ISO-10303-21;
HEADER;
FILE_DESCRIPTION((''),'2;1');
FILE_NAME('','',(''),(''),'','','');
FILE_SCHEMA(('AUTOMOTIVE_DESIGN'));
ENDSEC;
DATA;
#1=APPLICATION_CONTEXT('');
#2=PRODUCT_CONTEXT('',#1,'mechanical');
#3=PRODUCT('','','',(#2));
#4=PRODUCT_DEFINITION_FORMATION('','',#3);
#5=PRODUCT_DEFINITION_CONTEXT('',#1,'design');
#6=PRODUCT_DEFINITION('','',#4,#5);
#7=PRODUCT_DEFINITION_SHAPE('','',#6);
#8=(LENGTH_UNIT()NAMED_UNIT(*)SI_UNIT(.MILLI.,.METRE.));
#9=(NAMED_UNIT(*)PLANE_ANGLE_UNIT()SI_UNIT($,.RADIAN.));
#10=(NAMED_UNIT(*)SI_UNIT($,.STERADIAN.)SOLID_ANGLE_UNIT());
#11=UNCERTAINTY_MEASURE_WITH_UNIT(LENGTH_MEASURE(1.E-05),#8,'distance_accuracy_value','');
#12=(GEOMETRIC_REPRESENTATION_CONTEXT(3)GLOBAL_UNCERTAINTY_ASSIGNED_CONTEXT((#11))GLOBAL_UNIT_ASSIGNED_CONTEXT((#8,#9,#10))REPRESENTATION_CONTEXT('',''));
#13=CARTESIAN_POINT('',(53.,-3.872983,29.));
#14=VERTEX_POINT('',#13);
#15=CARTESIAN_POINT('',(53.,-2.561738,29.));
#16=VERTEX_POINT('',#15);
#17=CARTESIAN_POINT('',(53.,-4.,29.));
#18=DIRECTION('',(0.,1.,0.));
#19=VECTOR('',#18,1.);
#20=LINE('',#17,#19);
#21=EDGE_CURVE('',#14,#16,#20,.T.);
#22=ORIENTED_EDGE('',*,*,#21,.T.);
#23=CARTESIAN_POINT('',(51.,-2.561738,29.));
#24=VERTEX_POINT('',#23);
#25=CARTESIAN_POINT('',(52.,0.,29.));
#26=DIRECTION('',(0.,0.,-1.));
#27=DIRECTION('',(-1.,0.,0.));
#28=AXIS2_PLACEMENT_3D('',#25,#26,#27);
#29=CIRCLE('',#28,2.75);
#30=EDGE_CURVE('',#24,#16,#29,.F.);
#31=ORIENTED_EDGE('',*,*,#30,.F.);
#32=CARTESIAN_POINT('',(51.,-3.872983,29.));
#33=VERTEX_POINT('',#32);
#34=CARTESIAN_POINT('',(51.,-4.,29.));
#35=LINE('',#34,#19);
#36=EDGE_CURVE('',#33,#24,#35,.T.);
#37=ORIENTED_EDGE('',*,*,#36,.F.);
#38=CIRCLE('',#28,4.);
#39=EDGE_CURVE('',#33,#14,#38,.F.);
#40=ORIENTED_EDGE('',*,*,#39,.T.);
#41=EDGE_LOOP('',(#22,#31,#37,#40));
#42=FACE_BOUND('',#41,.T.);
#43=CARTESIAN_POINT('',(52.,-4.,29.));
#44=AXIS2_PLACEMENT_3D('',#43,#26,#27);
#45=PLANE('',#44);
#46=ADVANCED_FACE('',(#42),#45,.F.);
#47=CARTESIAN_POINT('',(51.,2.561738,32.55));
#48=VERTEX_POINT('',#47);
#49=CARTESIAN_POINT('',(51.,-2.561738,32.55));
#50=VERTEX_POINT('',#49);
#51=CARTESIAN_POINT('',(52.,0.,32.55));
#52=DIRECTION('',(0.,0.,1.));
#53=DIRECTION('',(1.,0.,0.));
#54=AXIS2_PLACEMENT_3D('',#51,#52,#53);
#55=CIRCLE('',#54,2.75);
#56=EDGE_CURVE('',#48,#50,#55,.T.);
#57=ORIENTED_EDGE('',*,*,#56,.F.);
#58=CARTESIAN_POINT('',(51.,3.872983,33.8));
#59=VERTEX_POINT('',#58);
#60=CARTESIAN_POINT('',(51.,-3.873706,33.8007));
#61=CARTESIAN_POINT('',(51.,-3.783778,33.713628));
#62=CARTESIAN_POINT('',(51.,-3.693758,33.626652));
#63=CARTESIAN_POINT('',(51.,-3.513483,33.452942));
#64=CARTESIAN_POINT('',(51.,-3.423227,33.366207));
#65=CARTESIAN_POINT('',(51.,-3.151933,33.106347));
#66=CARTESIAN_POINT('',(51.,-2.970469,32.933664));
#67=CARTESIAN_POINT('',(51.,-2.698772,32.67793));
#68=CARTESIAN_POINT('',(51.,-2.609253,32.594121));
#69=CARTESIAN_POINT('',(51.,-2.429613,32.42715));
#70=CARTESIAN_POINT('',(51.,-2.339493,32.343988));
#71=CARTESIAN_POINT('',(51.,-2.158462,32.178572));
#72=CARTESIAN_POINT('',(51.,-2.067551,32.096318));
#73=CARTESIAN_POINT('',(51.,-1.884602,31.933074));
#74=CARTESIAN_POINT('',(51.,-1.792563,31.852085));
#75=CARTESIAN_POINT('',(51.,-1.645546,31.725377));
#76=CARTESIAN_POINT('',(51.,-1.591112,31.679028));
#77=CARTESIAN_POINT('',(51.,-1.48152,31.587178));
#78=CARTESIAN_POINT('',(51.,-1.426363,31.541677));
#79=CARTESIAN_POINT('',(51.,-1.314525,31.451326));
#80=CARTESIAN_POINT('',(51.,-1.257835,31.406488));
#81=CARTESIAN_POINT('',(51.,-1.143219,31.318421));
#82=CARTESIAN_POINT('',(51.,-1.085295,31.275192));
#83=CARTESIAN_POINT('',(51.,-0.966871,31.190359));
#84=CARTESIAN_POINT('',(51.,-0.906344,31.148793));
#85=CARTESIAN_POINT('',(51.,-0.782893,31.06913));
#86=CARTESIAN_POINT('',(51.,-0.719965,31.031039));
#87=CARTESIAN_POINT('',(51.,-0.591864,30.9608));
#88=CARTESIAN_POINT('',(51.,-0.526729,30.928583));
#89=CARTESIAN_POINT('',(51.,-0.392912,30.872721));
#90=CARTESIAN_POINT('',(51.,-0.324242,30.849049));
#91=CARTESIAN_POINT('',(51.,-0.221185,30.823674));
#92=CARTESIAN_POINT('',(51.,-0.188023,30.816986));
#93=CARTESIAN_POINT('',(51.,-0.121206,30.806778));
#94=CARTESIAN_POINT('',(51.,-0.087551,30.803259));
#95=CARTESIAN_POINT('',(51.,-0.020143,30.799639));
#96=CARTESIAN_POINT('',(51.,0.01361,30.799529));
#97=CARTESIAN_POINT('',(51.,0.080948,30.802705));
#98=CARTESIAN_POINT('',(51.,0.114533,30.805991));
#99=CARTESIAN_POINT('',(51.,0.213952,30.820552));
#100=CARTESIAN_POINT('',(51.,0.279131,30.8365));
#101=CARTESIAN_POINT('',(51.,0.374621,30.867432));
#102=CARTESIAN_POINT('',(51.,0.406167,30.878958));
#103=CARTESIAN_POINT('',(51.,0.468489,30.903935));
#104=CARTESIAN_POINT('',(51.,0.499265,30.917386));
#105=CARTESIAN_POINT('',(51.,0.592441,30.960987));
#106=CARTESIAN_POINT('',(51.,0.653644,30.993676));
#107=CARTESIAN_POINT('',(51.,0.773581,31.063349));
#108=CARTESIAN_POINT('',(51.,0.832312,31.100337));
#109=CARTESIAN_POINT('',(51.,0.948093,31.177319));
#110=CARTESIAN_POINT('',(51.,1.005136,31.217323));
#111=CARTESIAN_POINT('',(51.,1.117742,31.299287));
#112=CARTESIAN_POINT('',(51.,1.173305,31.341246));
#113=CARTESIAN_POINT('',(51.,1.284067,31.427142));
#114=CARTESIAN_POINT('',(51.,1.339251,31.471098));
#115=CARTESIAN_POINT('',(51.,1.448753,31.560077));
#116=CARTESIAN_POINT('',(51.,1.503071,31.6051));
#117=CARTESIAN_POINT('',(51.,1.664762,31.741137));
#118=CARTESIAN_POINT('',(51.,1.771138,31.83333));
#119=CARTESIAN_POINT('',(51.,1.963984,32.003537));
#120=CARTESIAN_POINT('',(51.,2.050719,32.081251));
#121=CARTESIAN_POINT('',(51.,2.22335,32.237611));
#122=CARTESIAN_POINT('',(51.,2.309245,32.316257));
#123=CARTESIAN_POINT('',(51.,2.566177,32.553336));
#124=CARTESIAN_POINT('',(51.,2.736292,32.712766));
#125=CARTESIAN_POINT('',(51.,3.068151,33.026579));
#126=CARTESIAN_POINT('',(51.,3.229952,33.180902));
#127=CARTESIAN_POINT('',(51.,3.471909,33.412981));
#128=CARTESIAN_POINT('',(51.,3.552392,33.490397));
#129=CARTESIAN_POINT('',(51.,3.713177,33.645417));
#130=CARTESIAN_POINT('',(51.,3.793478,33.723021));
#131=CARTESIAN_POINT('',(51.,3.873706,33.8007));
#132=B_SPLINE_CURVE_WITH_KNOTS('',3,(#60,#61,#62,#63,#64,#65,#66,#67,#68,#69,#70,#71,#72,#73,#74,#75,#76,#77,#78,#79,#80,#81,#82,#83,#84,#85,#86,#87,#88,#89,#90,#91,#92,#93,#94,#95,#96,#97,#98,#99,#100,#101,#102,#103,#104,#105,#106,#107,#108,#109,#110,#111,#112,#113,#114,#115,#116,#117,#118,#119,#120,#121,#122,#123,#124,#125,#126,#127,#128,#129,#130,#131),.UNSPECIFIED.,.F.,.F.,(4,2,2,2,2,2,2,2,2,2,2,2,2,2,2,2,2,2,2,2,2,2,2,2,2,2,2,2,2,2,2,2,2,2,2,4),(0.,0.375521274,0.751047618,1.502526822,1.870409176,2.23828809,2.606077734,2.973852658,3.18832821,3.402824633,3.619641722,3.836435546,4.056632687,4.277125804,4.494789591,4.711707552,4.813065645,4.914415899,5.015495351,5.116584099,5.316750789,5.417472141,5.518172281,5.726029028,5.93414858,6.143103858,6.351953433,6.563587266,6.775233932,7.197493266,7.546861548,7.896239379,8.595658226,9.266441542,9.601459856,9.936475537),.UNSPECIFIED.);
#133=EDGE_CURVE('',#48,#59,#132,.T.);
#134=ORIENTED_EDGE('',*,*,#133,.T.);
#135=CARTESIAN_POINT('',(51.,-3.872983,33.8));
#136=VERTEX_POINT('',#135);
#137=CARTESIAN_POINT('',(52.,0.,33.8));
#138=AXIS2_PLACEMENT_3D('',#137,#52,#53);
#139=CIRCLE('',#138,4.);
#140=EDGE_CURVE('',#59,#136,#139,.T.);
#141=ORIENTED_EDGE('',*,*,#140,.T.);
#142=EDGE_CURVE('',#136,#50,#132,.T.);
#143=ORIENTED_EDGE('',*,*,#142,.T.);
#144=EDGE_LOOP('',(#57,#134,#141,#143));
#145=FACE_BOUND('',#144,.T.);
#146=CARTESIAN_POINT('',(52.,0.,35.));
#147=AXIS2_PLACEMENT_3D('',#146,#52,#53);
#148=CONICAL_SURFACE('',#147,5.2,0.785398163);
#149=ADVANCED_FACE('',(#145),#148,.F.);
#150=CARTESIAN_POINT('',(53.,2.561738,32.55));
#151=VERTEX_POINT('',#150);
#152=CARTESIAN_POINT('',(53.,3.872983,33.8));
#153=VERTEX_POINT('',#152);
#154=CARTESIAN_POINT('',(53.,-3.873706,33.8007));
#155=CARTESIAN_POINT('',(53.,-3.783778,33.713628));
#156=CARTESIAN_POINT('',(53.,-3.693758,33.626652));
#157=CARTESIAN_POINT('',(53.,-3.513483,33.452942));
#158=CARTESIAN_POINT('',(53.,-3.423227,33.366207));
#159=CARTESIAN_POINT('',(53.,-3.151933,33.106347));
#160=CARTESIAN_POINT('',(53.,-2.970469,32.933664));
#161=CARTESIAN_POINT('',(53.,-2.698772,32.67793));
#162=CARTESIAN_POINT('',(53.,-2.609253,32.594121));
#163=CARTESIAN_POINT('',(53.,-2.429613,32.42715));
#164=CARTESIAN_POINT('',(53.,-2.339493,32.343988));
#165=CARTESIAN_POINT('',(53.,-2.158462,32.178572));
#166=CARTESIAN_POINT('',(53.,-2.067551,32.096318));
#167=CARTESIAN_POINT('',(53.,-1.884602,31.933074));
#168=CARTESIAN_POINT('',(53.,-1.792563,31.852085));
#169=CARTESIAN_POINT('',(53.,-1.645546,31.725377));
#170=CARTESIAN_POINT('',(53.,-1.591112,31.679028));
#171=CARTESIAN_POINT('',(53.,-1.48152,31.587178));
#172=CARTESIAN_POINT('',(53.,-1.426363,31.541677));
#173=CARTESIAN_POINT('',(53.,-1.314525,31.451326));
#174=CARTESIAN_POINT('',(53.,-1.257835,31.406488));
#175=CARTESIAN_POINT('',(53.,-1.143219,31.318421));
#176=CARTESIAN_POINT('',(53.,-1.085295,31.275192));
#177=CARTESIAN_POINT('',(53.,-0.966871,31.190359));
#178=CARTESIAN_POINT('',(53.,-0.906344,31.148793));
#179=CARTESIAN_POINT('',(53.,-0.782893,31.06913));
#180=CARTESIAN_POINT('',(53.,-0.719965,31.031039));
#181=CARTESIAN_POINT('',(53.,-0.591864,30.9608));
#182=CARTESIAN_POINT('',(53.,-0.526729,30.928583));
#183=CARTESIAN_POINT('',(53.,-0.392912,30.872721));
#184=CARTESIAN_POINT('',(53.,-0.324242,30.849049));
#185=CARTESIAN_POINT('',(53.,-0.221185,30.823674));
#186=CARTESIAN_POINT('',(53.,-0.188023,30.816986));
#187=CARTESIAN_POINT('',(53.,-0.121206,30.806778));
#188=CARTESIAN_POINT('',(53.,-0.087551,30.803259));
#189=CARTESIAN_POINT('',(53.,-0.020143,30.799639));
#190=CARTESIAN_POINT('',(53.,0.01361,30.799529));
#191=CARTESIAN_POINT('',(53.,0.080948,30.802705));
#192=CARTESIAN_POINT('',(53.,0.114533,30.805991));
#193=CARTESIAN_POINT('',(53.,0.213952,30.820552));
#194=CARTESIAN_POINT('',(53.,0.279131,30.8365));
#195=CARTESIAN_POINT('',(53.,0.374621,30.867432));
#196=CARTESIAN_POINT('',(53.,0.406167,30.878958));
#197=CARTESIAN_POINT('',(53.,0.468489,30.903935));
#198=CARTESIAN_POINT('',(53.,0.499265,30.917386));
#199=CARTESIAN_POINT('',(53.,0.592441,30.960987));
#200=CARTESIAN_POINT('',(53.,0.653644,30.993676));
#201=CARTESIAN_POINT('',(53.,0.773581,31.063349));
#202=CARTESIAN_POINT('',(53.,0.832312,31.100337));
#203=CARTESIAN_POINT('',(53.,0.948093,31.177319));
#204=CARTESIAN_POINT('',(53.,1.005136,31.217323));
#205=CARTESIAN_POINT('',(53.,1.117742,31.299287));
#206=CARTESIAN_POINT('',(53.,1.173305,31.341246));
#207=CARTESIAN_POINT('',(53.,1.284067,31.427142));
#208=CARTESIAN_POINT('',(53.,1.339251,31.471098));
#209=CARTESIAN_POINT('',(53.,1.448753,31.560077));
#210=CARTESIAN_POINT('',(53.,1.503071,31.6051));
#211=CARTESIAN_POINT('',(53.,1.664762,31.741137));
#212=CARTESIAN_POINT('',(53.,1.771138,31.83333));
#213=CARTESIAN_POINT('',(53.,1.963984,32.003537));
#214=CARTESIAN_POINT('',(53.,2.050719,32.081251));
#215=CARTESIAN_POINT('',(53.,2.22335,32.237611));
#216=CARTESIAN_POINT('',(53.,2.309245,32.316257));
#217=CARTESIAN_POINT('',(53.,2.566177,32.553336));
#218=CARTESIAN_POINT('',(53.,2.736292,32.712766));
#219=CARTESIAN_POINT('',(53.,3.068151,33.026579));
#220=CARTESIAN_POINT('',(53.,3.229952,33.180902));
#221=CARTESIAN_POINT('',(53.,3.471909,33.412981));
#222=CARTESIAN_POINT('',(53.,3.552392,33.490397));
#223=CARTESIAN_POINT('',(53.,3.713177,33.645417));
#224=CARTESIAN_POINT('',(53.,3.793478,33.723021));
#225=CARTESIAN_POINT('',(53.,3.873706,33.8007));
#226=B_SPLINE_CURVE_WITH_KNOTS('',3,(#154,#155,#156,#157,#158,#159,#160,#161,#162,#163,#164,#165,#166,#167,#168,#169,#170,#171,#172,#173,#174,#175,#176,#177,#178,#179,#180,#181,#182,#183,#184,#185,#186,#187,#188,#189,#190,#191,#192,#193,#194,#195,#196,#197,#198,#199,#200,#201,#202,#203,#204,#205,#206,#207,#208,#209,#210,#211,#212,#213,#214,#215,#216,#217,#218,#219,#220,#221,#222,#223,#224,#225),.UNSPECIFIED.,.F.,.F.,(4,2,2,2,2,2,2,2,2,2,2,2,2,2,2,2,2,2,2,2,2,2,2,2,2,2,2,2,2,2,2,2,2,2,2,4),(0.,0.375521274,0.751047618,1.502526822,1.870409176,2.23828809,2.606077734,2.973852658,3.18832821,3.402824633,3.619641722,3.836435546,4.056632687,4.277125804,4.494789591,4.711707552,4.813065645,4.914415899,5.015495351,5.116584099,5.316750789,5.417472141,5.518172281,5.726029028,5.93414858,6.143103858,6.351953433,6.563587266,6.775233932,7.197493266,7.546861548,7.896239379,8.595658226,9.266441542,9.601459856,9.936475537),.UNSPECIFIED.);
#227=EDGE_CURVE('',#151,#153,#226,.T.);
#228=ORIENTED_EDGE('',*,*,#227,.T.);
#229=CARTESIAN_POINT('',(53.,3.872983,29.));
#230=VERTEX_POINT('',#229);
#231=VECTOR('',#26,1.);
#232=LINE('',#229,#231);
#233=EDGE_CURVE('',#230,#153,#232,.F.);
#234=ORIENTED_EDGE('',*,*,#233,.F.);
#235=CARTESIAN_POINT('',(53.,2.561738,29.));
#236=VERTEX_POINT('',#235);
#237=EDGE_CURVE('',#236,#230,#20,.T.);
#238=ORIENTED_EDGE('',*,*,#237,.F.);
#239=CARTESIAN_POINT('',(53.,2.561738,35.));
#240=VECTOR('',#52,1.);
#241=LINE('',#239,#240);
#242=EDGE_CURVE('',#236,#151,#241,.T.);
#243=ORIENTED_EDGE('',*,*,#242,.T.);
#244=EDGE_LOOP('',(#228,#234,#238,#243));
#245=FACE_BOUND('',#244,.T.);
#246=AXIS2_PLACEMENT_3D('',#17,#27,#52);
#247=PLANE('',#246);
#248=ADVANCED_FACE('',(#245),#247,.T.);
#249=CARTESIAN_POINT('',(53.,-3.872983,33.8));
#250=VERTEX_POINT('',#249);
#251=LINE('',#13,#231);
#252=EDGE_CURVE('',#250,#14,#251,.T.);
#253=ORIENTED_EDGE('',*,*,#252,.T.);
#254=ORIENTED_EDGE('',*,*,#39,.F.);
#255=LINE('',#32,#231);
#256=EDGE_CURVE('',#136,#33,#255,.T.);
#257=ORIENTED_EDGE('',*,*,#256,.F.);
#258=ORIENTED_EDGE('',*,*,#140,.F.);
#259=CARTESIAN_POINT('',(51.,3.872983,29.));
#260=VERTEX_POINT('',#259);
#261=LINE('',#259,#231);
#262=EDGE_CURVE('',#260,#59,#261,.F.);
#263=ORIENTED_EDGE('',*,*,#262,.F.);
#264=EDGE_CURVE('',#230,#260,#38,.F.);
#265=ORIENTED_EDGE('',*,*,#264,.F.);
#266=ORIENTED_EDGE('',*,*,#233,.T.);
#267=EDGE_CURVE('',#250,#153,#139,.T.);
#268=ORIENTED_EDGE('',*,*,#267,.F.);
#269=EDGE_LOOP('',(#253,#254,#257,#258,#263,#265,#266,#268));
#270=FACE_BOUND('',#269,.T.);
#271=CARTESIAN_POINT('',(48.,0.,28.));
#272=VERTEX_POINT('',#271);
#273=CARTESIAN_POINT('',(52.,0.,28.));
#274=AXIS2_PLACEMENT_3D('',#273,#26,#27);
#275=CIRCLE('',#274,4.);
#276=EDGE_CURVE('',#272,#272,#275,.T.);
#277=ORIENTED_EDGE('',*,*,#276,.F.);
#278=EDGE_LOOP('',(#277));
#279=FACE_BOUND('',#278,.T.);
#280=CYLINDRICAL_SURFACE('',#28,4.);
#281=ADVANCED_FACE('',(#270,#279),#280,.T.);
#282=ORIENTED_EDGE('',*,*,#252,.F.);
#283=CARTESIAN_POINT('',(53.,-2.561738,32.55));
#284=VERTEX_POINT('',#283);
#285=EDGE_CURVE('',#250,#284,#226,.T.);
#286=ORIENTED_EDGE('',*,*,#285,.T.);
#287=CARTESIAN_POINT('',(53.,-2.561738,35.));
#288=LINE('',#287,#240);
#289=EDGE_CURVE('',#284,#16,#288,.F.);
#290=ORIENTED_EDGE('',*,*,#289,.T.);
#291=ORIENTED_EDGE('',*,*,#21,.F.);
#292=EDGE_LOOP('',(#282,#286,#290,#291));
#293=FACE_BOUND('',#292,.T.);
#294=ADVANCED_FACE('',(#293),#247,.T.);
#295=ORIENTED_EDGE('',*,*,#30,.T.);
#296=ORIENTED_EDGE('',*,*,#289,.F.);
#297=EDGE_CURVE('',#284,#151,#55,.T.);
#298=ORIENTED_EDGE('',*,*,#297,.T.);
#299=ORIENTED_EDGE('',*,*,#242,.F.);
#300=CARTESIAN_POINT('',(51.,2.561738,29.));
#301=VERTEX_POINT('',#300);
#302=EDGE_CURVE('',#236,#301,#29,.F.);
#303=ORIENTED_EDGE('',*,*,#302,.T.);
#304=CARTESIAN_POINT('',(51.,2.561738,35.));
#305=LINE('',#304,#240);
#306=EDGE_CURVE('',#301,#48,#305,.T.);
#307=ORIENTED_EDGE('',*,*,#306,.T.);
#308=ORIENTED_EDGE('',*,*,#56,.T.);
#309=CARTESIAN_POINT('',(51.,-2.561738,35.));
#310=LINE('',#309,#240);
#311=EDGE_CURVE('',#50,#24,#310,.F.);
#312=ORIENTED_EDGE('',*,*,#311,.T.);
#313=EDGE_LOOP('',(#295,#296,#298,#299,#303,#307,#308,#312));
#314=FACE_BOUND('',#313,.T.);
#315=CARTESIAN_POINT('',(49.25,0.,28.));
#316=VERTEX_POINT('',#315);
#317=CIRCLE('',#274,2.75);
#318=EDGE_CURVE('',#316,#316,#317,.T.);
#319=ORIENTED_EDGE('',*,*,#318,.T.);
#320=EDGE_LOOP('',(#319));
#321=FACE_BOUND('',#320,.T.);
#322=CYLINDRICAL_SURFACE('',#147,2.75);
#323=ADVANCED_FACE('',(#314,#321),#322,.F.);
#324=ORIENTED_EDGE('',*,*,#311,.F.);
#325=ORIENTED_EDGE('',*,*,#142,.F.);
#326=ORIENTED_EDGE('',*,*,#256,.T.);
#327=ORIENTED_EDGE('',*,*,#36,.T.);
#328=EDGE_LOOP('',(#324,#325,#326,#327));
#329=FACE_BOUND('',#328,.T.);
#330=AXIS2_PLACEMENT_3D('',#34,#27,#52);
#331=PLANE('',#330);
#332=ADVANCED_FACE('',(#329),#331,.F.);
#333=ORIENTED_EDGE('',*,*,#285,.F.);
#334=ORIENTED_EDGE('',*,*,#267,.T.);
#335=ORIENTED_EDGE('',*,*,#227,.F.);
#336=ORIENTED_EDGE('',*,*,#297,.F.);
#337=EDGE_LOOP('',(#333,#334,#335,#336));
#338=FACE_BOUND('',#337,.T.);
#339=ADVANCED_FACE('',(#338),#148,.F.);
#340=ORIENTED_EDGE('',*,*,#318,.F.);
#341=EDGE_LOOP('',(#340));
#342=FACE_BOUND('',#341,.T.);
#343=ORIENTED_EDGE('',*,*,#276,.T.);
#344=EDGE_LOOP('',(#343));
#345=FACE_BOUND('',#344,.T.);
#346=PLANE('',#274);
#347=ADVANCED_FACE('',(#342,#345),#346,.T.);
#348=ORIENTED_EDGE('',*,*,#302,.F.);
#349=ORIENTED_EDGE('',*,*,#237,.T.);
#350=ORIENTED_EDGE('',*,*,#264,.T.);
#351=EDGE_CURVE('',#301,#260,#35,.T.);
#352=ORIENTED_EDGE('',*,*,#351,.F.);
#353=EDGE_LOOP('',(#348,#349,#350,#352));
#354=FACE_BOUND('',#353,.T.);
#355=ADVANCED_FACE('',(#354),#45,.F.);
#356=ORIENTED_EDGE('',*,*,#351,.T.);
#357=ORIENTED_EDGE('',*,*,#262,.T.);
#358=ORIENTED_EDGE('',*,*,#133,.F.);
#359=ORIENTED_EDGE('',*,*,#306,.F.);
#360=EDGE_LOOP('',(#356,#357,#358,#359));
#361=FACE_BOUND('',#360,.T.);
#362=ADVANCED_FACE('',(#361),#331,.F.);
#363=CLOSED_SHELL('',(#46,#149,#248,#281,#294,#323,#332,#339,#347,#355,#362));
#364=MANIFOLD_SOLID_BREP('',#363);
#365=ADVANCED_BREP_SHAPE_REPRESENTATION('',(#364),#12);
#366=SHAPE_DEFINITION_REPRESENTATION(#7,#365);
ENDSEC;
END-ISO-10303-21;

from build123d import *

# Parameters (mm, degrees)
FORMSENKUNG_F_R_M5_LINSENSENKSCHRAUBE_MI_D           = 5.5
FORMSENKUNG_F_R_M5_LINSENSENKSCHRAUBE_MI_CSINK_D     = 10.4
FORMSENKUNG_F_R_M5_LINSENSENKSCHRAUBE_MI_CSINK_ANGLE = 90
SKIZZE7_W                                            = 1
SKIZZE7_H                                            = 6
SCHNITT_LINEAR_AUSTRAGEN1_DEPTH                      = 66.531976927


with BuildPart() as part:
    # Skizze2 → Rotation1 (revolve)
    with BuildSketch(Plane(origin=(0, 0, 0), x_dir=(1, 0, 0), z_dir=(0, 1, 0))):
        Polygon((48, -35), (52, -35), (52, -29), (52, -28), (48, -28), (48, -29), align=None)
    revolve(axis=Axis((52, 0, 29), (0, 0, 1)))

    # Formsenkung für M5 Linsensenkschraube mit Schlitz1 (through all)
    with Locations(Plane.XY.offset(35)):
        with Locations((52, 0)):
            CounterSinkHole(FORMSENKUNG_F_R_M5_LINSENSENKSCHRAUBE_MI_D / 2, FORMSENKUNG_F_R_M5_LINSENSENKSCHRAUBE_MI_CSINK_D / 2, counter_sink_angle=FORMSENKUNG_F_R_M5_LINSENSENKSCHRAUBE_MI_CSINK_ANGLE)

    # Skizze7 → Schnitt-Linear austragen1 (cut, symmetric)
    with BuildSketch(Plane(origin=(0, 0, 0), x_dir=(1, 0, 0), z_dir=(0, 1, 0))):
        with Locations((51.5, -32)):
            Rectangle(SKIZZE7_W, SKIZZE7_H)
    schnitt_linear_austragen1 = extrude(amount=SCHNITT_LINEAR_AUSTRAGEN1_DEPTH, both=True, mode=Mode.SUBTRACT)

    # Spiegeln1: Schnitt-Linear austragen1 across plane
    add(schnitt_linear_austragen1.mirror(Plane(origin=(52, -4, 29), x_dir=(0, 0, 1), z_dir=(1, 0, 0))), mode=Mode.SUBTRACT)


solid = part.part
